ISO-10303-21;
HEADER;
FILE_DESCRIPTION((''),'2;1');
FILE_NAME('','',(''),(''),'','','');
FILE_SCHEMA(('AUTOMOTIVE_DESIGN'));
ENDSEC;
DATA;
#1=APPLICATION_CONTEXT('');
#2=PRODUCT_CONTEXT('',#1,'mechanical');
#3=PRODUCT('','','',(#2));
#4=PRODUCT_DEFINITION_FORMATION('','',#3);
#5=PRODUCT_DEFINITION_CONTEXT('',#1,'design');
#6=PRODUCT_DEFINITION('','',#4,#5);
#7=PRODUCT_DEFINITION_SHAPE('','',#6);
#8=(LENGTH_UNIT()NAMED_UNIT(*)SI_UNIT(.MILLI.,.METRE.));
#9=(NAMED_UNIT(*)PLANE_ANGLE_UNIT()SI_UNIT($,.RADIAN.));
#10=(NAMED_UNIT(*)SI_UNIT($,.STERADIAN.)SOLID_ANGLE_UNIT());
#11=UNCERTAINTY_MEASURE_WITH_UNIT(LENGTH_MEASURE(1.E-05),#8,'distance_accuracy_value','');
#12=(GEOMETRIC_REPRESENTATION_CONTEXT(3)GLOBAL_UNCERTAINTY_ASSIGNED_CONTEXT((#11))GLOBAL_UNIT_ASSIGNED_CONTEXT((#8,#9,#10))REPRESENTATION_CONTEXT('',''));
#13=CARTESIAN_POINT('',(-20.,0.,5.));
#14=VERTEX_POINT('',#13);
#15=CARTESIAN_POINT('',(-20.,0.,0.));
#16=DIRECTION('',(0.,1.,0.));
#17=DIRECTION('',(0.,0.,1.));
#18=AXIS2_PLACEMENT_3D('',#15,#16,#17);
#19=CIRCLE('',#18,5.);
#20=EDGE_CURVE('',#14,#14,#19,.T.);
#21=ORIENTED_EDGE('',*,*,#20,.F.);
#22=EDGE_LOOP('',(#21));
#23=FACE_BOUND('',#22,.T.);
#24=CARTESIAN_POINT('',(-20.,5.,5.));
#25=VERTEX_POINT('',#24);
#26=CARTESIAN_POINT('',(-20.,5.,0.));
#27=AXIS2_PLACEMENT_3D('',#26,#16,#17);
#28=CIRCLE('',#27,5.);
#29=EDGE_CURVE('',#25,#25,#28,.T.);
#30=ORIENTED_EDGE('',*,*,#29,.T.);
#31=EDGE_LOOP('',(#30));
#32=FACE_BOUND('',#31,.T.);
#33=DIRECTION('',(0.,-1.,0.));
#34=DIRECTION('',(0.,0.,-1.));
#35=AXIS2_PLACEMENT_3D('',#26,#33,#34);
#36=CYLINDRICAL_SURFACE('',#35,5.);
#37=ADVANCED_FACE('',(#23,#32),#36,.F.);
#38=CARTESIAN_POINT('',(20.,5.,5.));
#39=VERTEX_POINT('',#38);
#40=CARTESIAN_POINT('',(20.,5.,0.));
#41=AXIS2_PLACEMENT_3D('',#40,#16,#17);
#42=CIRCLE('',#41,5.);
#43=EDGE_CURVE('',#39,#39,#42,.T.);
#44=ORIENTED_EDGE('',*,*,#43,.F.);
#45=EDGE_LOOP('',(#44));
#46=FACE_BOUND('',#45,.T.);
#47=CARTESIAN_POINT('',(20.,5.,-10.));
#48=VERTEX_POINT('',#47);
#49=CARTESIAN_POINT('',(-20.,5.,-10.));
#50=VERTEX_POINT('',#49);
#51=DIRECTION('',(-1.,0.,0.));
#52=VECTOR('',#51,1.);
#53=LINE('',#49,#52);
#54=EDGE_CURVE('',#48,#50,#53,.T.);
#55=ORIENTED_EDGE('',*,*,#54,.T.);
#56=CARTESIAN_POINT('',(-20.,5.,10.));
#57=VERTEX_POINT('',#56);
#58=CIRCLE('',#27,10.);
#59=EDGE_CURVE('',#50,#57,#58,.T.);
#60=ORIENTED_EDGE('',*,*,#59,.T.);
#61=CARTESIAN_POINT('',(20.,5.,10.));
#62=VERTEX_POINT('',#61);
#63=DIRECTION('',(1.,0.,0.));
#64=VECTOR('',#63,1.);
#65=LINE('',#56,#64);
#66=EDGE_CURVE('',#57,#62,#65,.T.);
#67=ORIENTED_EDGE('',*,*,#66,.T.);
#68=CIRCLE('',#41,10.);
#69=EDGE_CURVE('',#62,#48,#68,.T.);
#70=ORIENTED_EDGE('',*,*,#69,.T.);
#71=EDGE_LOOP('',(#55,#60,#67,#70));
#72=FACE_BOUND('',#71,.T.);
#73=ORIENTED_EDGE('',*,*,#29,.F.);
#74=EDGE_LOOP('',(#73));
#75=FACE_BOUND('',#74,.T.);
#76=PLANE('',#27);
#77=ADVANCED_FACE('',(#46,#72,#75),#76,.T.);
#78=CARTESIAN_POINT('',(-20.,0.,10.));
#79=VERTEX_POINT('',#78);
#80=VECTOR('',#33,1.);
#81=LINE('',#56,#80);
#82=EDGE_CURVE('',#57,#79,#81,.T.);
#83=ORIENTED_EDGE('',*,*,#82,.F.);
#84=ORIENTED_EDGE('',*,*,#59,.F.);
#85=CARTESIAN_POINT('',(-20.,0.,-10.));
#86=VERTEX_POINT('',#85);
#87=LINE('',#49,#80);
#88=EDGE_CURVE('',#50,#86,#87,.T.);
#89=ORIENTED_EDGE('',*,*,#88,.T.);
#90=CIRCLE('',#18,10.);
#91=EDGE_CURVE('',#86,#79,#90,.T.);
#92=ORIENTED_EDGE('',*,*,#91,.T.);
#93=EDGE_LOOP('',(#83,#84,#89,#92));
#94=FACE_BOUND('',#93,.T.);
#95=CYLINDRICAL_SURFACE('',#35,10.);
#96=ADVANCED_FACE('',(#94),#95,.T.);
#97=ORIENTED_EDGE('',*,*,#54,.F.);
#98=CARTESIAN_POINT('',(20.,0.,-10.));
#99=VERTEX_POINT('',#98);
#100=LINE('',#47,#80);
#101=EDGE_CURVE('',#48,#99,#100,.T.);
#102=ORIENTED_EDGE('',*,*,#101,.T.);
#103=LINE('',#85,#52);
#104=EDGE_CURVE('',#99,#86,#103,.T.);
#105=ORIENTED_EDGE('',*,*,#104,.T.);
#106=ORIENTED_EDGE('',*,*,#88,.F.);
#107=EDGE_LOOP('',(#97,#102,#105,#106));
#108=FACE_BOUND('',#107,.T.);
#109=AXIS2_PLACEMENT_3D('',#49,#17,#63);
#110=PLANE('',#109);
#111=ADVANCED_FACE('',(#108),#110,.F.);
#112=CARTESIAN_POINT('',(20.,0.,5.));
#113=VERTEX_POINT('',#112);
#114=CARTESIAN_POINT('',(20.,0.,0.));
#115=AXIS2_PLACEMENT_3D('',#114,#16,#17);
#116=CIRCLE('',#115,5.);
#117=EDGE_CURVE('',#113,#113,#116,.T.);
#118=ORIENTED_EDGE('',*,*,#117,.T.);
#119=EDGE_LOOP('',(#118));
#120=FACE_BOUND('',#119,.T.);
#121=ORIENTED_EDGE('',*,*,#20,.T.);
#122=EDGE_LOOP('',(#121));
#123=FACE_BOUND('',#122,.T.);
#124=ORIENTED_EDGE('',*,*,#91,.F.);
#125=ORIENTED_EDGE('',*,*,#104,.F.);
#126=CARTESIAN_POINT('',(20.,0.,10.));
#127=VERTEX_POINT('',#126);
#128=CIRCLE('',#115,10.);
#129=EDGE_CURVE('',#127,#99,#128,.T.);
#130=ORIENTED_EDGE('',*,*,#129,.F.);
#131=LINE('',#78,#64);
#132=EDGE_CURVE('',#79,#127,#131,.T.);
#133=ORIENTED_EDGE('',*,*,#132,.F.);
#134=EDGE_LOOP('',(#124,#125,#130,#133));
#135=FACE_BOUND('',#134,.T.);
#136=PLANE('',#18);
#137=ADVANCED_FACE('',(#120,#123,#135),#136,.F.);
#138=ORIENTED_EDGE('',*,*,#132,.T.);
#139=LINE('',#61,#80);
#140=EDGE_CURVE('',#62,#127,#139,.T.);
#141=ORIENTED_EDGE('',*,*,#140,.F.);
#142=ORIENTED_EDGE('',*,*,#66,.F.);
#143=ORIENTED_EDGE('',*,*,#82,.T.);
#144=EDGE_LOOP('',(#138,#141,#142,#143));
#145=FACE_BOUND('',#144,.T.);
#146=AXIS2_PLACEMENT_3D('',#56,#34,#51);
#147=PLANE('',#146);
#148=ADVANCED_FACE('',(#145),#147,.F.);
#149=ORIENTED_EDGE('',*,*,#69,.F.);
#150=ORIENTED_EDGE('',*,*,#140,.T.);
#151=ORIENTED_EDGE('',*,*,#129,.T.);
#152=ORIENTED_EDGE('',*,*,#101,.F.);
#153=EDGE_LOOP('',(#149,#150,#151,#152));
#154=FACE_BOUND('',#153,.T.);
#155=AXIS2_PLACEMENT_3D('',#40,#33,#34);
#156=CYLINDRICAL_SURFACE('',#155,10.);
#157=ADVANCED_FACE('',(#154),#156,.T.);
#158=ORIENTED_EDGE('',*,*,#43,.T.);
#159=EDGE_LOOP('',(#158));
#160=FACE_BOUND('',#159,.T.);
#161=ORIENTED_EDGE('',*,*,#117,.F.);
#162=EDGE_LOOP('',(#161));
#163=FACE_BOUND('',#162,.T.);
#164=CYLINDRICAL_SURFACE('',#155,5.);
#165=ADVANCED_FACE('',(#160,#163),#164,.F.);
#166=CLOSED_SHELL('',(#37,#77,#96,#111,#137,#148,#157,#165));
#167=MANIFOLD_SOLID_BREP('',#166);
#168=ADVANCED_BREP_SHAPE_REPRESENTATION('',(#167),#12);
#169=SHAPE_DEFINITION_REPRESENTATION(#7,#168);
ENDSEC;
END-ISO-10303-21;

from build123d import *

# Parameters (mm, degrees)
SKETCH3_R           = 5
BOSS_EXTRUDE1_DEPTH = 5


with BuildPart() as part:
    # Sketch3 → Boss-Extrude1 (new body)
    with BuildSketch(Plane(origin=(0, 0, 0), x_dir=(1, 0, 0), z_dir=(0, 1, 0))):
        with BuildLine():
            Line((-20, 10), (20, 10))
            ThreePointArc((20, 10), (30, 0), (20, -10))
            Line((20, -10), (-20, -10))
            ThreePointArc((-20, -10), (-30, 0), (-20, 10))
        make_face()
        with Locations((-20, 0)):
            Circle(SKETCH3_R, mode=Mode.SUBTRACT)
        with Locations((20, 0)):
            Circle(SKETCH3_R, mode=Mode.SUBTRACT)
    extrude(amount=BOSS_EXTRUDE1_DEPTH)


solid = part.part
